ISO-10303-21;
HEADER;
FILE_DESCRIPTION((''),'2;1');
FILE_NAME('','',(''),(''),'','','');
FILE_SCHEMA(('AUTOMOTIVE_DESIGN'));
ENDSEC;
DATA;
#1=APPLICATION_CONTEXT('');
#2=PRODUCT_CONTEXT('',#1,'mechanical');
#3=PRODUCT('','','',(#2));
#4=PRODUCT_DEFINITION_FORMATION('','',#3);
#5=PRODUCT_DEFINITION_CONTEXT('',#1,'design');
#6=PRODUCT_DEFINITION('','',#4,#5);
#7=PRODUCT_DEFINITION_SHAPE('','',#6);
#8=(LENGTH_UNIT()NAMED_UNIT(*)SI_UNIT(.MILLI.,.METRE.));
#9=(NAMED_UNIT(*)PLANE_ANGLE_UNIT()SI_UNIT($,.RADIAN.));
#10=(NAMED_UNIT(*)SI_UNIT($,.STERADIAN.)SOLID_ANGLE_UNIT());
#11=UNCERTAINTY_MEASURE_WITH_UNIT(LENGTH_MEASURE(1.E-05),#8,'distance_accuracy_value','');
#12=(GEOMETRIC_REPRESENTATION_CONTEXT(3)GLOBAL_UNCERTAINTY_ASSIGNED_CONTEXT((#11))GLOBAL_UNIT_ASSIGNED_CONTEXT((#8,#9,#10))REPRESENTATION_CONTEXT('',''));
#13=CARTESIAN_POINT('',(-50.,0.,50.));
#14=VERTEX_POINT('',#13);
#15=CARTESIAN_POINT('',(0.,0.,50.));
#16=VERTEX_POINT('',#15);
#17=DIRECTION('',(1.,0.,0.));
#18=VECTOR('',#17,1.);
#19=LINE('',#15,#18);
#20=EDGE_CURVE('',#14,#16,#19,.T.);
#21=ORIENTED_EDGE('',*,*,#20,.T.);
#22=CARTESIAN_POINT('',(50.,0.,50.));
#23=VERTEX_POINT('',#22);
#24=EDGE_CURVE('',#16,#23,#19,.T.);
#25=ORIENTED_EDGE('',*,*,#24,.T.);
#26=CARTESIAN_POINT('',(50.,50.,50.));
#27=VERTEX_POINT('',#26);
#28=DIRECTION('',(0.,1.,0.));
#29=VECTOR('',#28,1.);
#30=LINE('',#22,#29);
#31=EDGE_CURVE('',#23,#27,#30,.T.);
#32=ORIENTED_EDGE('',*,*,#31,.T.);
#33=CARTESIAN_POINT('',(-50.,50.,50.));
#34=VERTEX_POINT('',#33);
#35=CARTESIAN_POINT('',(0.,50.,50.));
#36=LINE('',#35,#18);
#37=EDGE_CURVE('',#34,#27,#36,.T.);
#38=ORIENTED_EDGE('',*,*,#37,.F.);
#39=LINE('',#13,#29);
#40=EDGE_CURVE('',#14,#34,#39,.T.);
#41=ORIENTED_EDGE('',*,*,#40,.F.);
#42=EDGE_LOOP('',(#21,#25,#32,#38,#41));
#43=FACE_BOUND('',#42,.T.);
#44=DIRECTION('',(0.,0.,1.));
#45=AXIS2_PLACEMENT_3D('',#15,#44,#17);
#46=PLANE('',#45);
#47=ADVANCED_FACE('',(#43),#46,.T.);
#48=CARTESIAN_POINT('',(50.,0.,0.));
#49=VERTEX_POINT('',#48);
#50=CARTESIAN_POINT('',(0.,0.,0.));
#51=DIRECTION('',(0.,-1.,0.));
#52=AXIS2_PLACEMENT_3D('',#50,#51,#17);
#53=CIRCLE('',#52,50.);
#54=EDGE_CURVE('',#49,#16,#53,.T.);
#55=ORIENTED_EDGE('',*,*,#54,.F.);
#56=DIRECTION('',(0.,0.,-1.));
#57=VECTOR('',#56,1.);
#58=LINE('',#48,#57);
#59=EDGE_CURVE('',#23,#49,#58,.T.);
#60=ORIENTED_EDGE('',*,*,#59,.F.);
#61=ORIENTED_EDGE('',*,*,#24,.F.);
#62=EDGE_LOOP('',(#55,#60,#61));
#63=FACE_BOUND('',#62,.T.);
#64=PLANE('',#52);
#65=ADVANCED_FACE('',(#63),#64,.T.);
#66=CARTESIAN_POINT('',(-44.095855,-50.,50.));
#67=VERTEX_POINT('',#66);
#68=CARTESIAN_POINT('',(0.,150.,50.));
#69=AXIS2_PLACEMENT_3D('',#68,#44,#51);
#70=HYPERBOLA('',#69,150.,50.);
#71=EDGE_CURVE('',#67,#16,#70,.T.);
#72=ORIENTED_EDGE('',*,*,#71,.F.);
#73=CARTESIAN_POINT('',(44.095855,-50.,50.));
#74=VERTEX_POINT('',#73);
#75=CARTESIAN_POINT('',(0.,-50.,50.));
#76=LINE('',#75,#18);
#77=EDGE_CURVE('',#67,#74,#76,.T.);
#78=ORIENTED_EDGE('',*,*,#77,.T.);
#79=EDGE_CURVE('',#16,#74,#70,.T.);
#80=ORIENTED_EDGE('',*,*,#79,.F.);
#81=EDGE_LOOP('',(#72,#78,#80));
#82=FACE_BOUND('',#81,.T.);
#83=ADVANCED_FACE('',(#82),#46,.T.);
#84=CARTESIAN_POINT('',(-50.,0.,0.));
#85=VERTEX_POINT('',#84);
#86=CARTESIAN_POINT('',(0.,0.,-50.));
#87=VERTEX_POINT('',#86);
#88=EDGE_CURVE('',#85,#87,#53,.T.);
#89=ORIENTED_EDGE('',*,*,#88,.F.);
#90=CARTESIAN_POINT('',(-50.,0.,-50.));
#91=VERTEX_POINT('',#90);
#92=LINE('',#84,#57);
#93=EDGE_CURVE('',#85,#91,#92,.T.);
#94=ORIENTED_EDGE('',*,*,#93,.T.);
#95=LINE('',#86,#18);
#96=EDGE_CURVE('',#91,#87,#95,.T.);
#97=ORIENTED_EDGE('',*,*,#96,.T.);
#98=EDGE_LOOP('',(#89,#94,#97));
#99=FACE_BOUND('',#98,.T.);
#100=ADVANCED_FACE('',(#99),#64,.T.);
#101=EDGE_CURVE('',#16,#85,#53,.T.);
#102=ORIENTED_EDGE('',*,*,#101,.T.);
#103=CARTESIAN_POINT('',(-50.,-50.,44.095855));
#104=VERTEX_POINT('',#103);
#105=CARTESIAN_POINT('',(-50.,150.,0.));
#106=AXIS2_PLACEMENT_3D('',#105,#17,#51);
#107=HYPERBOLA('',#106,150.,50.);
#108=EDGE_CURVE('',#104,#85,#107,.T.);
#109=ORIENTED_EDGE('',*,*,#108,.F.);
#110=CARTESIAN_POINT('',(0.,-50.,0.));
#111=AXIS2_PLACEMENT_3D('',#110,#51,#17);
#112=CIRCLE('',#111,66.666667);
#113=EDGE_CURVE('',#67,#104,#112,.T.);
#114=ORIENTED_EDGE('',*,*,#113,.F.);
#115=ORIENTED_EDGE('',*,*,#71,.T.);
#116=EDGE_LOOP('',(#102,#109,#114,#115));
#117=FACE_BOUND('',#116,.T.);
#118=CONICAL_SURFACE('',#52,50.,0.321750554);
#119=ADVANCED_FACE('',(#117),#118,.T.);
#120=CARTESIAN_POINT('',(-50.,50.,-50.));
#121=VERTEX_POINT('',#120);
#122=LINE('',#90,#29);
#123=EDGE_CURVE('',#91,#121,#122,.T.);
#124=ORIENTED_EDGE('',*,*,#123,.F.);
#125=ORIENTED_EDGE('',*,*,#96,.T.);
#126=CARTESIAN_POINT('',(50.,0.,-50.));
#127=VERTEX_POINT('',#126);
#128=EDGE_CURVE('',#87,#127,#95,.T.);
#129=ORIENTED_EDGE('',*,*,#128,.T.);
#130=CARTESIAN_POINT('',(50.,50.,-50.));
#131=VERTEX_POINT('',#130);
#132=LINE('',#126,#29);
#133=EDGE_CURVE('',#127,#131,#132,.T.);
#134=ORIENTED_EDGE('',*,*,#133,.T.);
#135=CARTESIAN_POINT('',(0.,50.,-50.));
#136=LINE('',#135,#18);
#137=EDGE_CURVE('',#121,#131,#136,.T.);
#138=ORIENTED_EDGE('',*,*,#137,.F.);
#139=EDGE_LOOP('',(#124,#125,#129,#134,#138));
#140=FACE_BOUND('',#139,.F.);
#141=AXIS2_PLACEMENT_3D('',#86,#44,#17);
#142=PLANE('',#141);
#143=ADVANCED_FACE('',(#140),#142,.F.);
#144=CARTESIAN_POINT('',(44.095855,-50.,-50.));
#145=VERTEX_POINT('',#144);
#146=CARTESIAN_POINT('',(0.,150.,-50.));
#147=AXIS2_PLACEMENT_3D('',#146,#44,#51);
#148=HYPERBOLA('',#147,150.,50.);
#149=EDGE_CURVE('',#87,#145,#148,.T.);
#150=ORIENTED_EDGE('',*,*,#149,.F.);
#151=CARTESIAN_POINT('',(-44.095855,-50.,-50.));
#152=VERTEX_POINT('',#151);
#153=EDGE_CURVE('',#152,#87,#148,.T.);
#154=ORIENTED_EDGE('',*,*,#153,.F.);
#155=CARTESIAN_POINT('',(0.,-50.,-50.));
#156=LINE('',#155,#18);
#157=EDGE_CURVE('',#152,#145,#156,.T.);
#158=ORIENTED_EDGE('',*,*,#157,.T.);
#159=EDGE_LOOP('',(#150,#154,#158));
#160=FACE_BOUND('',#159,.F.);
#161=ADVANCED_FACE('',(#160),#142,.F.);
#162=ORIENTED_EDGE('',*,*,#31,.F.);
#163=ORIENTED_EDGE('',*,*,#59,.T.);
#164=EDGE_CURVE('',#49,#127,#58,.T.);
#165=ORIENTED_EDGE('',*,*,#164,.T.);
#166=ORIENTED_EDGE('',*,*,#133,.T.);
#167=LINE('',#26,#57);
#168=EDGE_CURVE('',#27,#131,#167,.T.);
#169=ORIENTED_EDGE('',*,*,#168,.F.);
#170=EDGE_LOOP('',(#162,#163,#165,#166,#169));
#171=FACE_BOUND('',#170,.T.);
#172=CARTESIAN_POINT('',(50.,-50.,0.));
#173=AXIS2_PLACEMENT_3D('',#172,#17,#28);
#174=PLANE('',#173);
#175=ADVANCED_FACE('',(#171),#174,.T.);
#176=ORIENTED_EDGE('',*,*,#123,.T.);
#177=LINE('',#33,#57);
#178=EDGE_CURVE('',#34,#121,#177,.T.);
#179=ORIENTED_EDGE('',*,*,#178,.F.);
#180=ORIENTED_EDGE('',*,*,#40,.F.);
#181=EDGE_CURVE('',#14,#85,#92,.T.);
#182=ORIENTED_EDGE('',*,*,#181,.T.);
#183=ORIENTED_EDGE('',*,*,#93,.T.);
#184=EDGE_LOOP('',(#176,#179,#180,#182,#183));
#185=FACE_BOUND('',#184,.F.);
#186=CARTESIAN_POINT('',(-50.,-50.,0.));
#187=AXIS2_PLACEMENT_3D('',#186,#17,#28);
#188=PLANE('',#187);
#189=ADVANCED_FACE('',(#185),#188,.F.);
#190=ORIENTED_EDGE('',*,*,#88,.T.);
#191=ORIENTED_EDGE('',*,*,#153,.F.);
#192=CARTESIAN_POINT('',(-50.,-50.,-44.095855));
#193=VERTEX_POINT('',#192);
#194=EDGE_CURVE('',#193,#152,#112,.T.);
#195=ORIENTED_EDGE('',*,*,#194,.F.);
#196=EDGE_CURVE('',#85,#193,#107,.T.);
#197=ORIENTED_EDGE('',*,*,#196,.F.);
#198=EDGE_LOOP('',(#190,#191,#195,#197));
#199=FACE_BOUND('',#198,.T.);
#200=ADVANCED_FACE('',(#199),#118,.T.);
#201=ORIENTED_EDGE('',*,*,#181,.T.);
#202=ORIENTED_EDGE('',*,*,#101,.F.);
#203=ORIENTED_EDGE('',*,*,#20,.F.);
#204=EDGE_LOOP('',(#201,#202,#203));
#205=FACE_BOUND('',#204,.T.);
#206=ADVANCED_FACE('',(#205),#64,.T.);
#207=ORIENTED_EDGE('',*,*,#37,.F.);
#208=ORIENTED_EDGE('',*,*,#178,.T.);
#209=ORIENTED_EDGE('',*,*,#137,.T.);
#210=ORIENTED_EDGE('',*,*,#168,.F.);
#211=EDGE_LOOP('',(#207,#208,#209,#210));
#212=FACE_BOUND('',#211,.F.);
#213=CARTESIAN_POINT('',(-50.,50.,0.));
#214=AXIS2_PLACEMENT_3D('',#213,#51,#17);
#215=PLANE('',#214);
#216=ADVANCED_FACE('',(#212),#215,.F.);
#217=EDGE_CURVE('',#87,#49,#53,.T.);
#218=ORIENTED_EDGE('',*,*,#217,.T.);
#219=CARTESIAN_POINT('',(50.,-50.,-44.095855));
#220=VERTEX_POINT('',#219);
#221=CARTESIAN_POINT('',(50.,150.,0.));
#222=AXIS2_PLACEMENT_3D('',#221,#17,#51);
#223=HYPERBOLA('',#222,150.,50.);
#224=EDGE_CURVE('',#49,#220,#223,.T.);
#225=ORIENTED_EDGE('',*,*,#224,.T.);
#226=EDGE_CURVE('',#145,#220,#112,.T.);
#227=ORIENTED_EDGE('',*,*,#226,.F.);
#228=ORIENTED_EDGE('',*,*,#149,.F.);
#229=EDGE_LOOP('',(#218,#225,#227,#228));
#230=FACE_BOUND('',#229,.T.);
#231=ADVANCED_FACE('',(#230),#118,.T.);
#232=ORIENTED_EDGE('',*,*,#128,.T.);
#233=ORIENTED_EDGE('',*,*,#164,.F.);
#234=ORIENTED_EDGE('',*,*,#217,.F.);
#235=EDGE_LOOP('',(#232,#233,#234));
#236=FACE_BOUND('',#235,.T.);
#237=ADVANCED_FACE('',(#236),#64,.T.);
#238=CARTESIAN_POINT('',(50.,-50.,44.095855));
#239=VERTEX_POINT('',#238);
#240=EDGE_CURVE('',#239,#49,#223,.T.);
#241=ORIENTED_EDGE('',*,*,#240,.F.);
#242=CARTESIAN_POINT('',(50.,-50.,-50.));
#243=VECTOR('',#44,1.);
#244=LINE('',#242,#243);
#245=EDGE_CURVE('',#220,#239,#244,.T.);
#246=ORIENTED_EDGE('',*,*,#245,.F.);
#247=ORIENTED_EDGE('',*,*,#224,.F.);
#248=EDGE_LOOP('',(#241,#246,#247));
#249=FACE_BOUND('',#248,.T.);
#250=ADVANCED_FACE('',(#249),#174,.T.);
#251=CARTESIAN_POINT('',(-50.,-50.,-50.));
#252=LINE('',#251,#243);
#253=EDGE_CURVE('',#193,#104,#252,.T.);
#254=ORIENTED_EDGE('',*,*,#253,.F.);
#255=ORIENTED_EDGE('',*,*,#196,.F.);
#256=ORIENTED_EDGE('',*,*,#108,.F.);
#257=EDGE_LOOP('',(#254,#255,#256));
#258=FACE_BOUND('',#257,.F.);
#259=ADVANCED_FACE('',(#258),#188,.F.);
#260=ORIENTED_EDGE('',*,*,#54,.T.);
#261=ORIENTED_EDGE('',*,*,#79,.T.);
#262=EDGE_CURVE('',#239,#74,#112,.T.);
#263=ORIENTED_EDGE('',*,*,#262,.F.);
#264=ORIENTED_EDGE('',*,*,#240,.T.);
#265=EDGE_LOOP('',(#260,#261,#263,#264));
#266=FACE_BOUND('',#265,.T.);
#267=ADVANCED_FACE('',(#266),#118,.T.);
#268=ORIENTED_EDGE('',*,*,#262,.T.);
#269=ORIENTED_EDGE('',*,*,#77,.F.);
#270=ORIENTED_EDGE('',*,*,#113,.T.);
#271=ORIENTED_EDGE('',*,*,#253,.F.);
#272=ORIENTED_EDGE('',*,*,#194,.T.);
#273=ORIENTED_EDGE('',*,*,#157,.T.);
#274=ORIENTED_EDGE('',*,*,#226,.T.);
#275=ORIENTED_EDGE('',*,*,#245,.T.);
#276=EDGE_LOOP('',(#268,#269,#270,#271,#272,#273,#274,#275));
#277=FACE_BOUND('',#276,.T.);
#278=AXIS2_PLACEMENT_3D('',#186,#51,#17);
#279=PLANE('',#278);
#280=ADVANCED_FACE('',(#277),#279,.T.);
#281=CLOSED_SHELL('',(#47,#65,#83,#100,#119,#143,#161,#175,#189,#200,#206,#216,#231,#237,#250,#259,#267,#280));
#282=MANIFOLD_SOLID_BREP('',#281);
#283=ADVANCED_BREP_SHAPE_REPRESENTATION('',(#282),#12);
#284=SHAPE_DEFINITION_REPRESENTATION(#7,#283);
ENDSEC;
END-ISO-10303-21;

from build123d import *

# Parameters (mm, degrees)
F0_W     = 100
F0_H     = 100
F1_DEPTH = 50


with BuildPart() as f1:
    # F0 (on Top) → F1 (new body, symmetric)
    with BuildSketch(Plane.XY):
        Rectangle(F0_W, F0_H)
    extrude(amount=F1_DEPTH, both=True)

    # F2 (on Top) → F3 (revolve, cut)
    with BuildSketch(Plane.XY):
        Polygon((75, 0), (50, 0), (75, -75), align=None)
    revolve(axis=Axis((0, -37.5, 0), (0, -1, 0)), mode=Mode.SUBTRACT)


solid = f1.part
